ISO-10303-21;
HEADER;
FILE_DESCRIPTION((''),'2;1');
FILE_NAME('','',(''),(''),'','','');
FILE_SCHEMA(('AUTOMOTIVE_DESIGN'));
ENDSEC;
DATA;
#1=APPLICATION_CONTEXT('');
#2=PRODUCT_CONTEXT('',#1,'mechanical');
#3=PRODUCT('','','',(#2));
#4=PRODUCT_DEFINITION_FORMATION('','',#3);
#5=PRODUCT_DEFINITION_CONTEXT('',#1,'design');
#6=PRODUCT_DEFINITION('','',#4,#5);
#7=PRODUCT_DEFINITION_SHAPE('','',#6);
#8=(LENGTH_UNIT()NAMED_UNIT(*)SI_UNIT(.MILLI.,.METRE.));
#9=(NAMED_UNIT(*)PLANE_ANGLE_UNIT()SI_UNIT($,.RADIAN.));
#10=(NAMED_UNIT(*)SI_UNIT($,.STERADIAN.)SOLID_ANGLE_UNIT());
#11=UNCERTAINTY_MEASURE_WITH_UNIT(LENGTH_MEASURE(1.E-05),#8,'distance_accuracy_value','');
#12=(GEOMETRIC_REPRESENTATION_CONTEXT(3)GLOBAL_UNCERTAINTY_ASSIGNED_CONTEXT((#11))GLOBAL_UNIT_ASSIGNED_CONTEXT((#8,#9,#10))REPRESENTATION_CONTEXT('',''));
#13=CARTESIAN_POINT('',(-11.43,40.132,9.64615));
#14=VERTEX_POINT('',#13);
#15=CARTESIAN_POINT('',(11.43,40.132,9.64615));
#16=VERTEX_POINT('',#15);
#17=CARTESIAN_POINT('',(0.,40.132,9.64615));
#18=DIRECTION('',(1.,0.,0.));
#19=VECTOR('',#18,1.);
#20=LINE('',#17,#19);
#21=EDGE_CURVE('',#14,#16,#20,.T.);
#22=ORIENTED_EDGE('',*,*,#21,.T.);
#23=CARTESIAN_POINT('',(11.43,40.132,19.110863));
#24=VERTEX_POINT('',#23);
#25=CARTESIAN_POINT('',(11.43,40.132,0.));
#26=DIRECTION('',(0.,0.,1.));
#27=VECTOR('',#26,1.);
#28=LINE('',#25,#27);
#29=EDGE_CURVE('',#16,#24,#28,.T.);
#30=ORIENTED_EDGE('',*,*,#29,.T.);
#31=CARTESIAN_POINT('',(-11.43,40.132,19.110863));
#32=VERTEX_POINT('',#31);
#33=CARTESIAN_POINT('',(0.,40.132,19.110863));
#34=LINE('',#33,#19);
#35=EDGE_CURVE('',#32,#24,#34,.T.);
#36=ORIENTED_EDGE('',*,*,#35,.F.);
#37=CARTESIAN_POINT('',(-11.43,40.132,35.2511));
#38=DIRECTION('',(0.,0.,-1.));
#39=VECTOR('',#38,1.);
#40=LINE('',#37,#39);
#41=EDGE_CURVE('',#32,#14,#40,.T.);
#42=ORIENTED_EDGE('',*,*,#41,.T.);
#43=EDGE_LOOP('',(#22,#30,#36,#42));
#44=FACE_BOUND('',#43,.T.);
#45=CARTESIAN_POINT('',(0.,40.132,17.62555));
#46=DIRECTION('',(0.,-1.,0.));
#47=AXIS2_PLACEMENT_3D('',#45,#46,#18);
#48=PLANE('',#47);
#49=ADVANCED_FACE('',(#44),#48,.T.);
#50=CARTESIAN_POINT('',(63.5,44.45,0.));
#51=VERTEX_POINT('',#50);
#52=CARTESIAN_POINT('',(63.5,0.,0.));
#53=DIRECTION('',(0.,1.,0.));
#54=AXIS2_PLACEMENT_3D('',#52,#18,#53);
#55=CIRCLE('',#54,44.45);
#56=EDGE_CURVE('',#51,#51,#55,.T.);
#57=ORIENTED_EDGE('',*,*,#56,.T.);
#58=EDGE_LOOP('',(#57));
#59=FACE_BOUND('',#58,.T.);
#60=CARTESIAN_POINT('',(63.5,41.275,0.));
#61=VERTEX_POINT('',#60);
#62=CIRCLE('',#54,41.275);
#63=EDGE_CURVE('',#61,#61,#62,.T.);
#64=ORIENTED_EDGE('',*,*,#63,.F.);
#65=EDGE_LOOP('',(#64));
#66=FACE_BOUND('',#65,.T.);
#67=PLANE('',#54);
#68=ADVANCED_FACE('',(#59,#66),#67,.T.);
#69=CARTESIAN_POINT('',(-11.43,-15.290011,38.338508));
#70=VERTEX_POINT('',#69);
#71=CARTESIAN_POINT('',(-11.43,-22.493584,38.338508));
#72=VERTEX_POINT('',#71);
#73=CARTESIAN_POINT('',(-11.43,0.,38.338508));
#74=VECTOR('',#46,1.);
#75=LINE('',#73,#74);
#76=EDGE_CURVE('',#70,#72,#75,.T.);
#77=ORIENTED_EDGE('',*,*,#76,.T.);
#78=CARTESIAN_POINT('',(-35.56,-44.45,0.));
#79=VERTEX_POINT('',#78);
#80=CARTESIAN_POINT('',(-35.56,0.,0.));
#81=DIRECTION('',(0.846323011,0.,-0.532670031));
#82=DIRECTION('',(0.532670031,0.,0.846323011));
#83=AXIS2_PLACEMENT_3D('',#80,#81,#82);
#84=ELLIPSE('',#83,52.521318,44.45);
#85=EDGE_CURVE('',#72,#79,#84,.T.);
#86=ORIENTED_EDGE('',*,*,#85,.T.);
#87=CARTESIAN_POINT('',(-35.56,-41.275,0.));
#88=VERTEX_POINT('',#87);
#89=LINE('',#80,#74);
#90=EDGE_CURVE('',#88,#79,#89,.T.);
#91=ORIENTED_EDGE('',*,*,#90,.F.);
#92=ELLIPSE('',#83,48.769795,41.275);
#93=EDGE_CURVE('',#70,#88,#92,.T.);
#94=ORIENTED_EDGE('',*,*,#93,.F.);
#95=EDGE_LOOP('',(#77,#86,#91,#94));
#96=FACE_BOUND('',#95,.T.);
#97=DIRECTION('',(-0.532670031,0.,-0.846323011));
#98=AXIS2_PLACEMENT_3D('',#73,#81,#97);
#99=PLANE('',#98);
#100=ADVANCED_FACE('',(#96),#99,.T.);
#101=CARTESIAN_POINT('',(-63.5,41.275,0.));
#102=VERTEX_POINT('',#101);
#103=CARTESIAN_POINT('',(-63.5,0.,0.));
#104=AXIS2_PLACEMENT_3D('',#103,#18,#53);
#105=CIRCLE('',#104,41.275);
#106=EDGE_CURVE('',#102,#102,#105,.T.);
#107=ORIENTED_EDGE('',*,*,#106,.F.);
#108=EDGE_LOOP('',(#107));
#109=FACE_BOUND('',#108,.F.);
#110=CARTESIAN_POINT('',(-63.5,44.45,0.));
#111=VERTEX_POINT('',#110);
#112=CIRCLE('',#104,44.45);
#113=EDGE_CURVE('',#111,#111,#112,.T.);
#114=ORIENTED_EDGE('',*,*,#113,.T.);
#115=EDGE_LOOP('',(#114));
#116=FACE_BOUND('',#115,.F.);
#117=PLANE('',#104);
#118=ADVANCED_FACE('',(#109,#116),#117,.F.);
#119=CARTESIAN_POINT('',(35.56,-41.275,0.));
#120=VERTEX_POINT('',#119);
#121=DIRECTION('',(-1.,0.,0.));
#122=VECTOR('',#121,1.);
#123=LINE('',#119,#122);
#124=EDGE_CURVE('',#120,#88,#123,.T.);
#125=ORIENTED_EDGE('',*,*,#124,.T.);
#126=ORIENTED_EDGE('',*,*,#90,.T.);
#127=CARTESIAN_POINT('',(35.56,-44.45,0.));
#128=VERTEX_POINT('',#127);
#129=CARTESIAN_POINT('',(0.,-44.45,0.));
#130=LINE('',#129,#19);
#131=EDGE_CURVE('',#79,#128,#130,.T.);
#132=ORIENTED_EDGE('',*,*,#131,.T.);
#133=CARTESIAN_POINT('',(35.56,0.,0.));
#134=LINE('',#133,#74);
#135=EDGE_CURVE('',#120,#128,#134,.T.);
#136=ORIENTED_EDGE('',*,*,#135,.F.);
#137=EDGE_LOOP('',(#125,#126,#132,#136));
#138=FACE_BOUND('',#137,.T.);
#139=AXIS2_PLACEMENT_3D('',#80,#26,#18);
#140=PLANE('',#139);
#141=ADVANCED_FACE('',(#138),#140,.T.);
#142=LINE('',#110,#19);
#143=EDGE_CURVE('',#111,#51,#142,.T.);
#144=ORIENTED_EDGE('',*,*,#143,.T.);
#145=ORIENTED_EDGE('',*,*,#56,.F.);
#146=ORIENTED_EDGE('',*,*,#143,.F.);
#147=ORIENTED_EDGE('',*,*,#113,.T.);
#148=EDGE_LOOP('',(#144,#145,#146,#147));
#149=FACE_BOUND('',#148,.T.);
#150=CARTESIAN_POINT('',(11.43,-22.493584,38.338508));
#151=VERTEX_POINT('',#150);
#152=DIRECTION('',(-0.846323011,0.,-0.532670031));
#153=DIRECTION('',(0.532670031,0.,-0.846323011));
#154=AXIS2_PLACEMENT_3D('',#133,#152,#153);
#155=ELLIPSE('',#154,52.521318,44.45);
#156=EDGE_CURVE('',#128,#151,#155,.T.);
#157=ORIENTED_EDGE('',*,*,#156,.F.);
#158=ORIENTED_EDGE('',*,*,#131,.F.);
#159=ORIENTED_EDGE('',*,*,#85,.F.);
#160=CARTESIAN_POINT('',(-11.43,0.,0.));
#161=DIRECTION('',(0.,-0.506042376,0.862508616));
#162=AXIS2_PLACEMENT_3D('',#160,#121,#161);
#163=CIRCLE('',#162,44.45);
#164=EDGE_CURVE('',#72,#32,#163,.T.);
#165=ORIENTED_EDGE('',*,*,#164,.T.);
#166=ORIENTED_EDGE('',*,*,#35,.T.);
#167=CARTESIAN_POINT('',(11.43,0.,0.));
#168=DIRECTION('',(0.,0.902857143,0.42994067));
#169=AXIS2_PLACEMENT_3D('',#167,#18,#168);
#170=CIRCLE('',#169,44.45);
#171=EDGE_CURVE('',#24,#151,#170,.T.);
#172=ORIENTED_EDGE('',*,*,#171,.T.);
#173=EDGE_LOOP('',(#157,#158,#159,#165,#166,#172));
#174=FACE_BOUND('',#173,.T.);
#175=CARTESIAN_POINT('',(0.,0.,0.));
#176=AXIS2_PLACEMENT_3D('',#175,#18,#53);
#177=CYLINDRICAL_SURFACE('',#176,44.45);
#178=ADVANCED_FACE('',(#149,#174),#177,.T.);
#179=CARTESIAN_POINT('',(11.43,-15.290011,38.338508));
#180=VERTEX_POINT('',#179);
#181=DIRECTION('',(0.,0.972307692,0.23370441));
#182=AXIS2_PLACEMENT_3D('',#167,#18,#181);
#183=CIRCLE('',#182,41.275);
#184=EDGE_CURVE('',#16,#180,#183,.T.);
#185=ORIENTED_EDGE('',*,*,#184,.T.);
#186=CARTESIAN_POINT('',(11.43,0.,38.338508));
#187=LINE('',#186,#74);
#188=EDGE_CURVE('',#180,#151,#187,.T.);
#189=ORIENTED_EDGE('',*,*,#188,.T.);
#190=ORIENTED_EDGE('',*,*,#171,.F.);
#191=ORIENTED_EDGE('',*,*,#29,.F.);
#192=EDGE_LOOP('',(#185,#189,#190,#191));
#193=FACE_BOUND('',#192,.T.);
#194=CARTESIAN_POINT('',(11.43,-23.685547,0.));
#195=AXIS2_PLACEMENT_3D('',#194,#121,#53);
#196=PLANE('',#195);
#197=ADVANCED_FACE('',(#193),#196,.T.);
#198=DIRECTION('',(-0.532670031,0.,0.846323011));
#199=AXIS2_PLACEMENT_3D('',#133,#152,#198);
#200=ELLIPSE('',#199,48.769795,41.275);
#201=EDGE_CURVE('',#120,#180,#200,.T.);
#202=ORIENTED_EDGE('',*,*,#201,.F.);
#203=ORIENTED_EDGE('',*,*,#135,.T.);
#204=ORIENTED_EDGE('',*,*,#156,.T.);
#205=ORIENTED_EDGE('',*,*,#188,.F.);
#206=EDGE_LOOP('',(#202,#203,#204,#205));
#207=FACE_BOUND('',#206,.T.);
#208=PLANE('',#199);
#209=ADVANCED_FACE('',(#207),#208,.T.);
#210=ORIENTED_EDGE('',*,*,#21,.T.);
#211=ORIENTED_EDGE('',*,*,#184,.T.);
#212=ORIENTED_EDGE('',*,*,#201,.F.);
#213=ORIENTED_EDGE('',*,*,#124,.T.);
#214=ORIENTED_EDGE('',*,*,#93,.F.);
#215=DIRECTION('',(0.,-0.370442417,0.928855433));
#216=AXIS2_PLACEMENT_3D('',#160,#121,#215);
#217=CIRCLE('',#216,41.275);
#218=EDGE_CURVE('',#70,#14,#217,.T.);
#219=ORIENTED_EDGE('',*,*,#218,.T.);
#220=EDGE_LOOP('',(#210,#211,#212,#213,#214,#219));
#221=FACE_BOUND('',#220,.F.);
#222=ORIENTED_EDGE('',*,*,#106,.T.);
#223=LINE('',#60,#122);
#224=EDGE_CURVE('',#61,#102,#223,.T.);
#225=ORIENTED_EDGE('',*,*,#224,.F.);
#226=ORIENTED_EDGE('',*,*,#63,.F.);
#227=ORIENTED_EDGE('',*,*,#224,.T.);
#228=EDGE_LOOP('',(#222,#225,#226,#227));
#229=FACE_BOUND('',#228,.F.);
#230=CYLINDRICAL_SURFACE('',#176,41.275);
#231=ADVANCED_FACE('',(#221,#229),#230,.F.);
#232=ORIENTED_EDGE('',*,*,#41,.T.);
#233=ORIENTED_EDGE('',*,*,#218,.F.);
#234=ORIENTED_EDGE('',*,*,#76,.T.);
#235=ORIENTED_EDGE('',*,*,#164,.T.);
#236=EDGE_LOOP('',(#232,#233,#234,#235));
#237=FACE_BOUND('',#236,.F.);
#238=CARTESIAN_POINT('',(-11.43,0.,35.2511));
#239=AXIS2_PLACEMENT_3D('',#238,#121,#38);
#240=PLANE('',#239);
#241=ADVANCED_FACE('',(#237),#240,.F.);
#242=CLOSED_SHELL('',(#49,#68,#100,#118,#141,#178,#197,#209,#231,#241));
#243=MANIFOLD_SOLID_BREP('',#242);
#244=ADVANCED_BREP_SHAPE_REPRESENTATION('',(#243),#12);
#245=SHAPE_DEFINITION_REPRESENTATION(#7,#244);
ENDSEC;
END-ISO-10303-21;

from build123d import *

# Parameters (mm, degrees)
F0_R          = 44.45
F0_R_2        = 41.275
F1_DEPTH      = 63.5
F1_DEPTH_BACK = 63.5
F3_DEPTH      = 57.912
F5_DEPTH      = 91.694
F7_DEPTH      = 40.132


with BuildPart() as f1:
    # F0 (on Right) → F1 (new body, two sides)
    with BuildSketch(Plane.YZ) as f1_sk:
        Circle(F0_R)
        Circle(F0_R_2, mode=Mode.SUBTRACT)
    extrude(amount=F1_DEPTH)
    extrude(f1_sk.sketch, amount=-F1_DEPTH_BACK)

    # F2 (on Front) → F3 (cut)
    with BuildSketch(Plane.XZ):
        Polygon((-35.56, 0), (0, 0), (35.56, 0), (11.43, 38.338508), (0, 38.338508), (-11.43, 38.338508), align=None)
    extrude(amount=F3_DEPTH, mode=Mode.SUBTRACT)

    # F4 (on Top) → F5 (cut)
    with BuildSketch(Plane.XY):
        Polygon((-11.43, -23.685547), (0, -23.685547), (11.43, -23.685547), (11.43, 27.390007), (-11.43, 27.390007), align=None)
    extrude(amount=F5_DEPTH, mode=Mode.SUBTRACT)

    # F6 (on Front) → F7 (cut)
    with BuildSketch(Plane.XZ):
        Polygon((-11.43, 0), (0, 0), (11.43, 0), (11.43, 35.2511), (0, 35.2511), (-11.43, 35.2511), align=None)
    extrude(amount=-F7_DEPTH, mode=Mode.SUBTRACT)


solid = f1.part
